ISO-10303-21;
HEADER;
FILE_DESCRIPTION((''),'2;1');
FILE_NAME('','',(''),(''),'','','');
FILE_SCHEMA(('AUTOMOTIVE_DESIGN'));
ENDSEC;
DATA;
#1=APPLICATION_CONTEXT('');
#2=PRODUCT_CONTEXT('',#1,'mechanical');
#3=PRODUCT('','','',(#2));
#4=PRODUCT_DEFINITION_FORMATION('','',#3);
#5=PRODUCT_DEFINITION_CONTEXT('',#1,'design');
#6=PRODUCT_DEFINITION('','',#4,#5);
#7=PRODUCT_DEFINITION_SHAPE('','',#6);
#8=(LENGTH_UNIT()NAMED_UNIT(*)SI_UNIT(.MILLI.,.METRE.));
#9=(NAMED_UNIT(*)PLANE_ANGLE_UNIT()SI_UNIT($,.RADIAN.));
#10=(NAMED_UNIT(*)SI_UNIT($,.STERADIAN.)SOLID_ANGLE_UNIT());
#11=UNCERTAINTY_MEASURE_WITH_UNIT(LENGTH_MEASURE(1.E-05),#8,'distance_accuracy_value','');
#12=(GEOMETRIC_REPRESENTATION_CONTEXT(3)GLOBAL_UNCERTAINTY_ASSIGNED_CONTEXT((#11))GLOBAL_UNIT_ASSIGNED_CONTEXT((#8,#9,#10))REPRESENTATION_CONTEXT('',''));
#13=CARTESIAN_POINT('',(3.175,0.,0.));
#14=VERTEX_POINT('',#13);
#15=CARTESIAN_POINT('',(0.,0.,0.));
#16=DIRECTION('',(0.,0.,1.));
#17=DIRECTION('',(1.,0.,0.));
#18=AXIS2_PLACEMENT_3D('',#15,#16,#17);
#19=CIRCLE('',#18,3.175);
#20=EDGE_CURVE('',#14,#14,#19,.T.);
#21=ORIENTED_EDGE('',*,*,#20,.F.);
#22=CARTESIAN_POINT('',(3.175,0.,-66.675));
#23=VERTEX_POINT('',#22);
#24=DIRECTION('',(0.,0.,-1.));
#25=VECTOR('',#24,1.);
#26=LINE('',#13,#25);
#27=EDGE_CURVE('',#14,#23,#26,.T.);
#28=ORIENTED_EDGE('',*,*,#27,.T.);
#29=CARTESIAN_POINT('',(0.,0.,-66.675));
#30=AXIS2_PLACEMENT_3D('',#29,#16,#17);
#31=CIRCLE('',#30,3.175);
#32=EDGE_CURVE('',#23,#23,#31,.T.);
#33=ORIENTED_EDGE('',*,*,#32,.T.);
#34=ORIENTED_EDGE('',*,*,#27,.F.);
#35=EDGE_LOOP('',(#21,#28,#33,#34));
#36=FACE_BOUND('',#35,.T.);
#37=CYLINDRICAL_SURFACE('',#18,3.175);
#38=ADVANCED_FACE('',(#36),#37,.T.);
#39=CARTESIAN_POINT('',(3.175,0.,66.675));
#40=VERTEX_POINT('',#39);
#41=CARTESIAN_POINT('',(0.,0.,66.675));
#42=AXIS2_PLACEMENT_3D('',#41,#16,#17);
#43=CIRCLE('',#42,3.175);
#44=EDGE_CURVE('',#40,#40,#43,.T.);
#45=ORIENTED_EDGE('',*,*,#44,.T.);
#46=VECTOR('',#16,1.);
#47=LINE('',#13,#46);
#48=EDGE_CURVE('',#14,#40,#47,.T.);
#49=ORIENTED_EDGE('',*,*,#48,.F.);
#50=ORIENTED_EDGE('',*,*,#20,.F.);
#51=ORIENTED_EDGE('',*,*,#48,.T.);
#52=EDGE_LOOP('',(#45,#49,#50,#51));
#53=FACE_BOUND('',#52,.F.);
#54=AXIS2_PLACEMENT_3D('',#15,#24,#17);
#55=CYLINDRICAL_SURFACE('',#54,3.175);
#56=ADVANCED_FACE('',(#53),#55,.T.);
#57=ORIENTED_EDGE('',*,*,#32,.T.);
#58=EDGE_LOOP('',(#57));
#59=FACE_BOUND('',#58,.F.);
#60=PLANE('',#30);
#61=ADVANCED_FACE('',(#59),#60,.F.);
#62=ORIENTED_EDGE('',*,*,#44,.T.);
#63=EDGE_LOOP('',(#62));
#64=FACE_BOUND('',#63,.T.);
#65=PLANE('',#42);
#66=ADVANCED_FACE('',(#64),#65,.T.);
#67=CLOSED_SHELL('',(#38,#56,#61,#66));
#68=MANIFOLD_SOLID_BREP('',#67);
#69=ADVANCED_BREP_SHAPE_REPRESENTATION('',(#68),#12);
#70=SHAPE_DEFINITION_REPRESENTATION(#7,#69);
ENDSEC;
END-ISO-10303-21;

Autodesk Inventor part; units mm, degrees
ref_plane "YZ Plane" through (0, 0, 0) normal (1, 0, 0) x (0, 1, 0)
ref_plane "XZ Plane" through (0, 0, 0) normal (0, 1, 0) x (-1, 0, 0)
ref_plane "XY Plane" through (0, 0, 0) normal (0, 0, 1) x (1, 0, 0)
sketch "Sketch1" plane through (0, 0, 0) normal (0, 0, 1) x (1, 0, 0)
  circle A0 centre (0, 0) radius 3.175
  dimension "d0" = 6.35
extrude "Extrusion1" add sketch "Sketch1" along normal mid plane 133.35
properties part number "plateRod"
